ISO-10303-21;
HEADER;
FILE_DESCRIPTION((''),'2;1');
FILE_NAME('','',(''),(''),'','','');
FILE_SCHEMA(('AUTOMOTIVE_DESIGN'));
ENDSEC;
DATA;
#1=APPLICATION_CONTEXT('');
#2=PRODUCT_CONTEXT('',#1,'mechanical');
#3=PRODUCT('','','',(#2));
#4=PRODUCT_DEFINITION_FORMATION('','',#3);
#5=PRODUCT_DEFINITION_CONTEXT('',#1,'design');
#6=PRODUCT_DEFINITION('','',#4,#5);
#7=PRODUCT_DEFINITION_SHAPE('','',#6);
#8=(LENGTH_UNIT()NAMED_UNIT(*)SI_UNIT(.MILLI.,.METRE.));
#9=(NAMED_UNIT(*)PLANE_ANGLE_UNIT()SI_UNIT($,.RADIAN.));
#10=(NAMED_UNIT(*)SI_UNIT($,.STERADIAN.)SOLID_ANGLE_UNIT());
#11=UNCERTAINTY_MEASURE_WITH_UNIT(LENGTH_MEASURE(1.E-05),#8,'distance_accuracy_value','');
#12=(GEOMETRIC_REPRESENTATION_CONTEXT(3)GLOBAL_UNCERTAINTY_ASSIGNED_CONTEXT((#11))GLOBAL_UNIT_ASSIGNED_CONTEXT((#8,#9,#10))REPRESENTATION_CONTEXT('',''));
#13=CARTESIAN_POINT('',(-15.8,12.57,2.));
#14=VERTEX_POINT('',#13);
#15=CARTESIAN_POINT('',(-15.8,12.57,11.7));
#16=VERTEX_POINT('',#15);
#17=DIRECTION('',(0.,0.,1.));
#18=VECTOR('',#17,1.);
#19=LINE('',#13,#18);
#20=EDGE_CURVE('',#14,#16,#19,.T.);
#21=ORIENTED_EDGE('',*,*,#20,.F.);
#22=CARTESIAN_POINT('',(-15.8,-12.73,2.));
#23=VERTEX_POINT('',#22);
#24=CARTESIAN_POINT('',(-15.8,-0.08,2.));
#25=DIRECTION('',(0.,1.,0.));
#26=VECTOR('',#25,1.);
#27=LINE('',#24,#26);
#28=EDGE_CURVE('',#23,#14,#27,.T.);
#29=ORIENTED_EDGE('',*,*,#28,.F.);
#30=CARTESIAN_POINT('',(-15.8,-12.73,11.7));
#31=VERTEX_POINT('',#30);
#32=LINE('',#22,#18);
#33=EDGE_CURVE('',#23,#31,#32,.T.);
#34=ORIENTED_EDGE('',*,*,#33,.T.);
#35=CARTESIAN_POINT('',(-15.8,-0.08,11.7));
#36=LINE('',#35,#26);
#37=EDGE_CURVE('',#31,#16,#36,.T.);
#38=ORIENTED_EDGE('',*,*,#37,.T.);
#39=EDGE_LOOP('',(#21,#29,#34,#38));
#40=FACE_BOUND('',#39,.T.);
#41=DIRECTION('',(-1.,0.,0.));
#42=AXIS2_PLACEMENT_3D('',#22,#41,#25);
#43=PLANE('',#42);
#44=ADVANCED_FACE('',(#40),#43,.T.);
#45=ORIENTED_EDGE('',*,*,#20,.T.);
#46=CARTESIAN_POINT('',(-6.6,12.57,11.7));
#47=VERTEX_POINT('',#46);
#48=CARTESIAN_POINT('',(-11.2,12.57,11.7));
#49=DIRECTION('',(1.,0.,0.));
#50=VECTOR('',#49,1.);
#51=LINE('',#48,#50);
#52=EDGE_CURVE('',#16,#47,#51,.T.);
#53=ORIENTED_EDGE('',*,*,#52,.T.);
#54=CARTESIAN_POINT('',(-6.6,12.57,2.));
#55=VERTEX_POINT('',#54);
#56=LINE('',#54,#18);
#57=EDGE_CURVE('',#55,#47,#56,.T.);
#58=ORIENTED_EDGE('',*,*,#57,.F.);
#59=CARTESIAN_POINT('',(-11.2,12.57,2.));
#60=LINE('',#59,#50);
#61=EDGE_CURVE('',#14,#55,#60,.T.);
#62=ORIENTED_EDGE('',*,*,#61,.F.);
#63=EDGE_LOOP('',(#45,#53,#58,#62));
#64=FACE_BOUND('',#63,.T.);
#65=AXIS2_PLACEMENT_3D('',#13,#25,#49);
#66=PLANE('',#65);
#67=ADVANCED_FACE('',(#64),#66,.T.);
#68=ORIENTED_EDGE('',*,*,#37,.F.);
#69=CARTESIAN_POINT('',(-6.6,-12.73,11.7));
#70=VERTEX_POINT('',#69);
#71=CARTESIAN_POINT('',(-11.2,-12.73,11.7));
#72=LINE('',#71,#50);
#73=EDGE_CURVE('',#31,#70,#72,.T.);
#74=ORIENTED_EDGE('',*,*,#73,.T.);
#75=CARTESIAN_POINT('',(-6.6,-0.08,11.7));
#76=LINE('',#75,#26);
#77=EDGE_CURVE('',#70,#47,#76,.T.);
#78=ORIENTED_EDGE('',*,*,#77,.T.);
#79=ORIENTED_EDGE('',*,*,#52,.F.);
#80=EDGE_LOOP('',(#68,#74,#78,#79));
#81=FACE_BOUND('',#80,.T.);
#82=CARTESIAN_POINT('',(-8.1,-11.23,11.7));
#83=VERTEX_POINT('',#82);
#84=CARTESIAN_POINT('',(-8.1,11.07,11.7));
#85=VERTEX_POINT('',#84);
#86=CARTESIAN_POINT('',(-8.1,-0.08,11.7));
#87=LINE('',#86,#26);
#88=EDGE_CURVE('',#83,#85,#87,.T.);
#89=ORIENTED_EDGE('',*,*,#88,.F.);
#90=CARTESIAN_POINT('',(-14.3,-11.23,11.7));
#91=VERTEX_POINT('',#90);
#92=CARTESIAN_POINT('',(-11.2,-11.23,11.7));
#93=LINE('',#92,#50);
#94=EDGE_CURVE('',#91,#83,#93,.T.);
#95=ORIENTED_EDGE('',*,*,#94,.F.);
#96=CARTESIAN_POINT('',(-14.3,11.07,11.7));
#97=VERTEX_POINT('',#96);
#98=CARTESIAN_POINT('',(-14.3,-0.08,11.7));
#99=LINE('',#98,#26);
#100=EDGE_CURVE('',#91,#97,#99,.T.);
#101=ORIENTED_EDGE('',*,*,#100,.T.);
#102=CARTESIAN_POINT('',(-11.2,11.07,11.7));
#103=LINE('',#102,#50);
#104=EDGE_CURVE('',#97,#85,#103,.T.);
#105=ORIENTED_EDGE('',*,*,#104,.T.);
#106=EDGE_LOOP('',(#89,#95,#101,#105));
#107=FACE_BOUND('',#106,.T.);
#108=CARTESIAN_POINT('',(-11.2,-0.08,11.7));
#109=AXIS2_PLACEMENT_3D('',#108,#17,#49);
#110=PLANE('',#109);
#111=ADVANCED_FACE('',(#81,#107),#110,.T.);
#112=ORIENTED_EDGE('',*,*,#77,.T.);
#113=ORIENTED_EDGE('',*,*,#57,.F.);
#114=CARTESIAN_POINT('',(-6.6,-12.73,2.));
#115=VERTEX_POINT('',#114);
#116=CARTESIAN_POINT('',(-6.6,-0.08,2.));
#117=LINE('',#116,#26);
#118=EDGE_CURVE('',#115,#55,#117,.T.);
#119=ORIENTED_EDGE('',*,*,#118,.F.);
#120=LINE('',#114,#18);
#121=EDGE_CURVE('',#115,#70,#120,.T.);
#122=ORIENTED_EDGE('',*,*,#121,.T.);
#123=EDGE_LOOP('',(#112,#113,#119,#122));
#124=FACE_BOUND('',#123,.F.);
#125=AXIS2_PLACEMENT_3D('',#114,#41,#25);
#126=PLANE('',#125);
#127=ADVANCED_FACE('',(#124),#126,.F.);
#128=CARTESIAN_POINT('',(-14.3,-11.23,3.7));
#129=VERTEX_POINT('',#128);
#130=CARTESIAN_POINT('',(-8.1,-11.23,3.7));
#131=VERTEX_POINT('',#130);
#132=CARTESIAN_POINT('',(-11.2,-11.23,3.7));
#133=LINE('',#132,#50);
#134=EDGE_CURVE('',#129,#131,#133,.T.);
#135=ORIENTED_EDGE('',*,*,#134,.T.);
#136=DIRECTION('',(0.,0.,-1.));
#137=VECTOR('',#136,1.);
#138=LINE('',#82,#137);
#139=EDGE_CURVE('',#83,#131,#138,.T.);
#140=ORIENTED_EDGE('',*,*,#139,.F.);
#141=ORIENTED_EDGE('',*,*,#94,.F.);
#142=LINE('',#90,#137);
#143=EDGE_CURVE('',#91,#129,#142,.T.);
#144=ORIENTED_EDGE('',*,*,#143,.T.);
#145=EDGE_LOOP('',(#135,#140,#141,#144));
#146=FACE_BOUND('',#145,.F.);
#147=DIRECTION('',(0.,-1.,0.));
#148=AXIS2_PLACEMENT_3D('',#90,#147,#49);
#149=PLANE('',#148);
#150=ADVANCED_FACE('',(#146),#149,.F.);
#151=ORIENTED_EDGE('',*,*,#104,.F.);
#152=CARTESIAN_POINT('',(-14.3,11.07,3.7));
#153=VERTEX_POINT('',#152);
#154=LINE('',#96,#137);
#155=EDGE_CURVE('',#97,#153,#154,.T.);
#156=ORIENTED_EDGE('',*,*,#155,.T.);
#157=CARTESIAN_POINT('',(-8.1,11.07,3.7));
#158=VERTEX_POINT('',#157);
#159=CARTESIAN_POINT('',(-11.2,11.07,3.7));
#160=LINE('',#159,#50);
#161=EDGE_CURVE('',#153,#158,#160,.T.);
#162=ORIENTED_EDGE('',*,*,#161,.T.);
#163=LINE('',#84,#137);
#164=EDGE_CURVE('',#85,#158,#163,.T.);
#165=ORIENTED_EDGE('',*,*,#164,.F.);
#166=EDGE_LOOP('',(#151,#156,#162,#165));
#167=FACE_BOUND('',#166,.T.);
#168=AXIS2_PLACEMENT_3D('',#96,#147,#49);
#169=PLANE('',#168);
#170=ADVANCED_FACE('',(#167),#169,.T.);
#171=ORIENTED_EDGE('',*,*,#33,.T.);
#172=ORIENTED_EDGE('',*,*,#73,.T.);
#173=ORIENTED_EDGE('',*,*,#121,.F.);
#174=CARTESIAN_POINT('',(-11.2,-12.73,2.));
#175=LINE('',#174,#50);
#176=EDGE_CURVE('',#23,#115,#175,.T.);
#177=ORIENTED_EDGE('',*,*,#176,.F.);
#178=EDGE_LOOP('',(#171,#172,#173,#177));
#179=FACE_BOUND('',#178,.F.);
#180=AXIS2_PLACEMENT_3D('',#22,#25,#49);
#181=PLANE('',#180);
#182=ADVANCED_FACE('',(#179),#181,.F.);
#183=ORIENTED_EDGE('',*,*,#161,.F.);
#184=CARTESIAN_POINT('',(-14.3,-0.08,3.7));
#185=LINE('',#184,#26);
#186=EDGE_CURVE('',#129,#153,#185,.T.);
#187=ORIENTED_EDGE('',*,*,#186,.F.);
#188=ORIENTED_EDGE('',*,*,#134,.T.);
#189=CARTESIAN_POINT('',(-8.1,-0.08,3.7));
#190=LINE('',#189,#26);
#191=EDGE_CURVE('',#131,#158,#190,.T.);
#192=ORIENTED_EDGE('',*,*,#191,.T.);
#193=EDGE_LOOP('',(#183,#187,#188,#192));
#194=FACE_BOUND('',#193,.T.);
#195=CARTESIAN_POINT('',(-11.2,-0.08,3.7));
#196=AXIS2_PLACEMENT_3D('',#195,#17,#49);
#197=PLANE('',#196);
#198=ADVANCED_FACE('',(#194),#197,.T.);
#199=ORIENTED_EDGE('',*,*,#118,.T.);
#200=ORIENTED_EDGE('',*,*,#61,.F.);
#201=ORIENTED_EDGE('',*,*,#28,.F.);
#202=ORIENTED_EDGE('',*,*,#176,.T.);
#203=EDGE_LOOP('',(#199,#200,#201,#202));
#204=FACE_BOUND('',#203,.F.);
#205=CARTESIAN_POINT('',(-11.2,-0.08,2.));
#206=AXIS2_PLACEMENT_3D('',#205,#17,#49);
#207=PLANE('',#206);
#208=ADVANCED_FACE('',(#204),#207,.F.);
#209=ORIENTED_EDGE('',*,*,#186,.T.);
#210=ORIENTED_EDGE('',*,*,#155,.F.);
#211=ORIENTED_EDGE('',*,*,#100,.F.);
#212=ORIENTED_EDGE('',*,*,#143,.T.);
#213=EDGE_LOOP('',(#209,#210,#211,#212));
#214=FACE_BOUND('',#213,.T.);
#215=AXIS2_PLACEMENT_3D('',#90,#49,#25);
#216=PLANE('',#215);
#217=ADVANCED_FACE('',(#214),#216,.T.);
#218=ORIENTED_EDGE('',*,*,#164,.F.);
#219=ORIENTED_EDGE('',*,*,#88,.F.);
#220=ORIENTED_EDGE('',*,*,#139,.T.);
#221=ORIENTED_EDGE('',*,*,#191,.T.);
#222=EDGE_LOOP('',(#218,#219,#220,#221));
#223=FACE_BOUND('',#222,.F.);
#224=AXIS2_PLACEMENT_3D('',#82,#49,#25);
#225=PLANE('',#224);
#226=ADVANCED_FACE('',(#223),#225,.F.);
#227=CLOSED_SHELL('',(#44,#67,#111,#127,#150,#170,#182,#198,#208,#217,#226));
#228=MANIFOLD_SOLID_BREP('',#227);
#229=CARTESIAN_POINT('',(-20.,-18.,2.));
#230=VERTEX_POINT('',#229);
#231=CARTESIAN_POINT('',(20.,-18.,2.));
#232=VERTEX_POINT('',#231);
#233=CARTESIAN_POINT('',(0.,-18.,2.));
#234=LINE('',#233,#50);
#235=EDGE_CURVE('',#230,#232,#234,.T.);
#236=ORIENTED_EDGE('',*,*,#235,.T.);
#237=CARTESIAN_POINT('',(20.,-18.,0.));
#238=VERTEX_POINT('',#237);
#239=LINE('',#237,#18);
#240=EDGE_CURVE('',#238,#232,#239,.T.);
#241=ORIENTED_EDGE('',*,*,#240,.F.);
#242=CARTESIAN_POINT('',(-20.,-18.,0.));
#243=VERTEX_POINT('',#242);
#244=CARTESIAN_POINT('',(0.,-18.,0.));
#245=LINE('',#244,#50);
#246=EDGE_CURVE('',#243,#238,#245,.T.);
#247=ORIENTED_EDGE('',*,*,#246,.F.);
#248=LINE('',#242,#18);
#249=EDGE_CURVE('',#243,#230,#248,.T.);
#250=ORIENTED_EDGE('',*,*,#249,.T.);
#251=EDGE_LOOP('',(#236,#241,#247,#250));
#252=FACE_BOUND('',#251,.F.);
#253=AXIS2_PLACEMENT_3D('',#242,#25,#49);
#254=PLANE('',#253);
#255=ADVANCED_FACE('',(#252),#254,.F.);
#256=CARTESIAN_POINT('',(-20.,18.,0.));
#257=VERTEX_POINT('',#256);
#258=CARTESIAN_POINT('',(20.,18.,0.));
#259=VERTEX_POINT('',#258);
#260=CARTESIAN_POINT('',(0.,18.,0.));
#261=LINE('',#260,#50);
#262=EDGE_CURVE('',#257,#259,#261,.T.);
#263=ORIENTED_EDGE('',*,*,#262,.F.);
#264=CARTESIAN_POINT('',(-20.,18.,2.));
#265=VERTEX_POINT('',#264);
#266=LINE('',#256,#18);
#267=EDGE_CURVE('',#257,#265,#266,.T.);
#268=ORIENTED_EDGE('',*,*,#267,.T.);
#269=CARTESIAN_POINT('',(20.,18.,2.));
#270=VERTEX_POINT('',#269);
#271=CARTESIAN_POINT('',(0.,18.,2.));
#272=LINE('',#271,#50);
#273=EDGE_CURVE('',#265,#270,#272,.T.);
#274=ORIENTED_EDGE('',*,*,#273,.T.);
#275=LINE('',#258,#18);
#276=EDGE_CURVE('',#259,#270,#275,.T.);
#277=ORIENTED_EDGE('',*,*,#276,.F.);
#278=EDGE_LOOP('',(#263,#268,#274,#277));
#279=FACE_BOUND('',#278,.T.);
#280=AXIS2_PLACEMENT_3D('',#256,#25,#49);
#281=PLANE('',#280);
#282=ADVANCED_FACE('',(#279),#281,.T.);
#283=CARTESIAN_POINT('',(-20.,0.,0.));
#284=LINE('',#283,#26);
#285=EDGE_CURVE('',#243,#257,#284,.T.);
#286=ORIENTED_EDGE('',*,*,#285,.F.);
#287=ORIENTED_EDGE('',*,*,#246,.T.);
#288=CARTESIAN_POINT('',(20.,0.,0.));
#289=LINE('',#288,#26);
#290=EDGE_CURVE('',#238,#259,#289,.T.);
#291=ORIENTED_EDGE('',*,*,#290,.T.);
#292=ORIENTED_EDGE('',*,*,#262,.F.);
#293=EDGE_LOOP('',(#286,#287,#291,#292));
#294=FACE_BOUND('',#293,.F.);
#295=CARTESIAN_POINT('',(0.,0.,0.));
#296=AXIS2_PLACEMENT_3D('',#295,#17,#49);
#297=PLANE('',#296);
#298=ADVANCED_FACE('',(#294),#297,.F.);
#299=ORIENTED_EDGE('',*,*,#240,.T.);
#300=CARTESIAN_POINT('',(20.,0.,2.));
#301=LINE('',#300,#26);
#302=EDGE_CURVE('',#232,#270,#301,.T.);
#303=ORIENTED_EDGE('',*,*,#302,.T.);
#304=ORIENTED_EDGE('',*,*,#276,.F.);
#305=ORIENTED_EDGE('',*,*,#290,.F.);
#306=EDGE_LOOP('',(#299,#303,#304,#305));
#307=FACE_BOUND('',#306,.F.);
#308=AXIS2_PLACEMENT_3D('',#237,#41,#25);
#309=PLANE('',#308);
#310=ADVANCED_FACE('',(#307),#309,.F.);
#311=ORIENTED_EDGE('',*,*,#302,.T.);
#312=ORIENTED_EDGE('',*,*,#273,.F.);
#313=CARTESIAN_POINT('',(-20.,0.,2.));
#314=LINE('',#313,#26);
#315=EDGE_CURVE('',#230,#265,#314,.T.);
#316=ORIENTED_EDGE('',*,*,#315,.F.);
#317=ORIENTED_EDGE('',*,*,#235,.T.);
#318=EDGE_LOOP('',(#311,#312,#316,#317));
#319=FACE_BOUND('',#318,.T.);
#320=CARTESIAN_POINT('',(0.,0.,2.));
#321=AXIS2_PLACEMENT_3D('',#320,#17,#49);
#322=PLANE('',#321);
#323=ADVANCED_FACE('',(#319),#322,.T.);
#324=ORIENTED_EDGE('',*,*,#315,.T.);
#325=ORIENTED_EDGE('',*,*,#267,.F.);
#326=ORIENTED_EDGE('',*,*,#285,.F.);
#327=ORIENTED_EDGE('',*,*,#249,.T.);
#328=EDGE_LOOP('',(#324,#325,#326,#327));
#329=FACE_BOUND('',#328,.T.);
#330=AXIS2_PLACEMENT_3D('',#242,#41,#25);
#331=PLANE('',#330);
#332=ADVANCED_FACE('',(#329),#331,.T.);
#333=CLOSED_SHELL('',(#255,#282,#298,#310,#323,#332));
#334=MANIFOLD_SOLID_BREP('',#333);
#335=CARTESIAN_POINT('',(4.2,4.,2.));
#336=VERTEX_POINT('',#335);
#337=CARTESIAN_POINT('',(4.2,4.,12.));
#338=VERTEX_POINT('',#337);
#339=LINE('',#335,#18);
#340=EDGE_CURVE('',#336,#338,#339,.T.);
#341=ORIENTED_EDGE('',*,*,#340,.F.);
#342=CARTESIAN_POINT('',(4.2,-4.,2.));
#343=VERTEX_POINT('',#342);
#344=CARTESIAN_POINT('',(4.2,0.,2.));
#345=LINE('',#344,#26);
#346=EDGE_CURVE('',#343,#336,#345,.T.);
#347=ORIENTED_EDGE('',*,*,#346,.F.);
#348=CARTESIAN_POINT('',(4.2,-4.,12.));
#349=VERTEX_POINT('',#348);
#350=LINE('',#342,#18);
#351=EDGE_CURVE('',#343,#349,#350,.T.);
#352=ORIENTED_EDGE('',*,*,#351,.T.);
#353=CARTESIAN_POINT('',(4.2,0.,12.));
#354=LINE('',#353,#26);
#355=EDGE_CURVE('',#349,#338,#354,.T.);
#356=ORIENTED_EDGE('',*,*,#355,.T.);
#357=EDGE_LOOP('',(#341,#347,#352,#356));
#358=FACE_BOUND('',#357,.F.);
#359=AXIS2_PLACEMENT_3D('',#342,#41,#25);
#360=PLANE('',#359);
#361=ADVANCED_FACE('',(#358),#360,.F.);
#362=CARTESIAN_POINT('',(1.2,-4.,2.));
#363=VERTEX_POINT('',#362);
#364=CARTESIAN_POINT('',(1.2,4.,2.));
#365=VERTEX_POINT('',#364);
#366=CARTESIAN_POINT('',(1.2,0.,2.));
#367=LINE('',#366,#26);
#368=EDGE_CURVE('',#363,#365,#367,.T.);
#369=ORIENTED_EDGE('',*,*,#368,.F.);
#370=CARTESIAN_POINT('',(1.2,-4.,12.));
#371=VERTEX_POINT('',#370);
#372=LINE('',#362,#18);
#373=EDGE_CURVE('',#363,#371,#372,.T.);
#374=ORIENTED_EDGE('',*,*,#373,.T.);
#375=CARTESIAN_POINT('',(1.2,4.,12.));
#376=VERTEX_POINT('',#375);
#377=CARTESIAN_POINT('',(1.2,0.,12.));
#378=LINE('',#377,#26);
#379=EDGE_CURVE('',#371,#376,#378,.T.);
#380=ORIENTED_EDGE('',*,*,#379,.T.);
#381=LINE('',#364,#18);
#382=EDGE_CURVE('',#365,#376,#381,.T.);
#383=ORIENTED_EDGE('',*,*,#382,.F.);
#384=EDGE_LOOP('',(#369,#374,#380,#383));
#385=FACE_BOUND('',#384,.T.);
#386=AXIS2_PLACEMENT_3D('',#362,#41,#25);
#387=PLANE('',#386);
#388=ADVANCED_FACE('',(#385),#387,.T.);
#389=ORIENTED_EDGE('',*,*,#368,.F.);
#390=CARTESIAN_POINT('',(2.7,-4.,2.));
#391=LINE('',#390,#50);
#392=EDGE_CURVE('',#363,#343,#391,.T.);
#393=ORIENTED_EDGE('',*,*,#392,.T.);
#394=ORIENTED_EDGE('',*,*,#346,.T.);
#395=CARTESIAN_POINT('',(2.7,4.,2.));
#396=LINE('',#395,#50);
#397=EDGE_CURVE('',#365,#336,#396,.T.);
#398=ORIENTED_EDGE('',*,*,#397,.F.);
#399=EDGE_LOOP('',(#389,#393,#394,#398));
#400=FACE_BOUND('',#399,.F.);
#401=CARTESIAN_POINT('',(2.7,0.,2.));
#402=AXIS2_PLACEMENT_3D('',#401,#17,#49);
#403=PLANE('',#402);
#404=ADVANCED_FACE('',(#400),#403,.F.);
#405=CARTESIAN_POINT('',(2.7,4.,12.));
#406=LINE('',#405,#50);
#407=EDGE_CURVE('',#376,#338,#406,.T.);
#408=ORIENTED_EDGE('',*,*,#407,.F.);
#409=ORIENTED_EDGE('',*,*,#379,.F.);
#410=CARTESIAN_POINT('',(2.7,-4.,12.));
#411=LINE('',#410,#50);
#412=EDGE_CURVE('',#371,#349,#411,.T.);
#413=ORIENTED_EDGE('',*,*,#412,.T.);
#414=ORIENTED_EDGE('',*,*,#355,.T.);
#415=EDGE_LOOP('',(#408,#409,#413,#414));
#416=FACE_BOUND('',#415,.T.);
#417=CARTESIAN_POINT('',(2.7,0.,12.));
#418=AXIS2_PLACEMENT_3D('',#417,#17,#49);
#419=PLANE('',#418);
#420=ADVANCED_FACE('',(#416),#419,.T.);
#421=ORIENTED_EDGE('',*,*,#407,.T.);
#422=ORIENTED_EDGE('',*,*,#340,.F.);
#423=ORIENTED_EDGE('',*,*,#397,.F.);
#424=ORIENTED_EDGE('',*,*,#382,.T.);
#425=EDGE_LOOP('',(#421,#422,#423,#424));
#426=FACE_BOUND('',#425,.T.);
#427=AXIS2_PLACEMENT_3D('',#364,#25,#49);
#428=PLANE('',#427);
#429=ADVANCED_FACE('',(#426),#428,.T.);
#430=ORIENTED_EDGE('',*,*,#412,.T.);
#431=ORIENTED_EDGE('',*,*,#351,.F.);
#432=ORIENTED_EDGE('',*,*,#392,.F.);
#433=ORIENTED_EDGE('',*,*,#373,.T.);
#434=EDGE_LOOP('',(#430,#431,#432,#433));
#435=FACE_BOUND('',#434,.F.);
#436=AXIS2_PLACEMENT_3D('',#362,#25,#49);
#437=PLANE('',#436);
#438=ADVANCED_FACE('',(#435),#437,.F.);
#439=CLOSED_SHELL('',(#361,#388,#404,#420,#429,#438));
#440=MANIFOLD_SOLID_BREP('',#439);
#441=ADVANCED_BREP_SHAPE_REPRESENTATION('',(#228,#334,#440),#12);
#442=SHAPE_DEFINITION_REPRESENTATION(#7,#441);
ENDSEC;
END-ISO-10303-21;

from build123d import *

# Parameters (mm, degrees)
F0_W     = 40
F0_H     = 36
F1_DEPTH = 2
F2_W     = 9.2
F2_H     = 25.3
F3_DEPTH = 9.7
F4_W     = 6.2
F4_H     = 22.3
F5_DEPTH = 8
F6_W     = 3
F6_H     = 8
F7_DEPTH = 10


with BuildPart() as f1:
    # F0 (on Top) → F1 (new body)
    with BuildSketch(Plane.XY):
        Rectangle(F0_W, F0_H)
    extrude(amount=F1_DEPTH)


with BuildPart() as f3:
    # F2 (on face) → F3 (new body)
    with BuildSketch(Plane.XY.offset(2)):
        with Locations((-11.2, -0.08)):
            Rectangle(F2_W, F2_H)
    extrude(amount=F3_DEPTH)

    # F4 (on face) → F5 (cut)
    with BuildSketch(Plane.XY.offset(11.7)):
        with Locations((-11.2, -0.08)):
            Rectangle(F4_W, F4_H)
    extrude(amount=-F5_DEPTH, mode=Mode.SUBTRACT)


with BuildPart() as f7:
    # F6 (on face) → F7 (new body)
    with BuildSketch(Plane.XY.offset(2)):
        with Locations((2.7, 0)):
            Rectangle(F6_W, F6_H)
    extrude(amount=F7_DEPTH)


solid = Compound([f1.part, f3.part, f7.part])
